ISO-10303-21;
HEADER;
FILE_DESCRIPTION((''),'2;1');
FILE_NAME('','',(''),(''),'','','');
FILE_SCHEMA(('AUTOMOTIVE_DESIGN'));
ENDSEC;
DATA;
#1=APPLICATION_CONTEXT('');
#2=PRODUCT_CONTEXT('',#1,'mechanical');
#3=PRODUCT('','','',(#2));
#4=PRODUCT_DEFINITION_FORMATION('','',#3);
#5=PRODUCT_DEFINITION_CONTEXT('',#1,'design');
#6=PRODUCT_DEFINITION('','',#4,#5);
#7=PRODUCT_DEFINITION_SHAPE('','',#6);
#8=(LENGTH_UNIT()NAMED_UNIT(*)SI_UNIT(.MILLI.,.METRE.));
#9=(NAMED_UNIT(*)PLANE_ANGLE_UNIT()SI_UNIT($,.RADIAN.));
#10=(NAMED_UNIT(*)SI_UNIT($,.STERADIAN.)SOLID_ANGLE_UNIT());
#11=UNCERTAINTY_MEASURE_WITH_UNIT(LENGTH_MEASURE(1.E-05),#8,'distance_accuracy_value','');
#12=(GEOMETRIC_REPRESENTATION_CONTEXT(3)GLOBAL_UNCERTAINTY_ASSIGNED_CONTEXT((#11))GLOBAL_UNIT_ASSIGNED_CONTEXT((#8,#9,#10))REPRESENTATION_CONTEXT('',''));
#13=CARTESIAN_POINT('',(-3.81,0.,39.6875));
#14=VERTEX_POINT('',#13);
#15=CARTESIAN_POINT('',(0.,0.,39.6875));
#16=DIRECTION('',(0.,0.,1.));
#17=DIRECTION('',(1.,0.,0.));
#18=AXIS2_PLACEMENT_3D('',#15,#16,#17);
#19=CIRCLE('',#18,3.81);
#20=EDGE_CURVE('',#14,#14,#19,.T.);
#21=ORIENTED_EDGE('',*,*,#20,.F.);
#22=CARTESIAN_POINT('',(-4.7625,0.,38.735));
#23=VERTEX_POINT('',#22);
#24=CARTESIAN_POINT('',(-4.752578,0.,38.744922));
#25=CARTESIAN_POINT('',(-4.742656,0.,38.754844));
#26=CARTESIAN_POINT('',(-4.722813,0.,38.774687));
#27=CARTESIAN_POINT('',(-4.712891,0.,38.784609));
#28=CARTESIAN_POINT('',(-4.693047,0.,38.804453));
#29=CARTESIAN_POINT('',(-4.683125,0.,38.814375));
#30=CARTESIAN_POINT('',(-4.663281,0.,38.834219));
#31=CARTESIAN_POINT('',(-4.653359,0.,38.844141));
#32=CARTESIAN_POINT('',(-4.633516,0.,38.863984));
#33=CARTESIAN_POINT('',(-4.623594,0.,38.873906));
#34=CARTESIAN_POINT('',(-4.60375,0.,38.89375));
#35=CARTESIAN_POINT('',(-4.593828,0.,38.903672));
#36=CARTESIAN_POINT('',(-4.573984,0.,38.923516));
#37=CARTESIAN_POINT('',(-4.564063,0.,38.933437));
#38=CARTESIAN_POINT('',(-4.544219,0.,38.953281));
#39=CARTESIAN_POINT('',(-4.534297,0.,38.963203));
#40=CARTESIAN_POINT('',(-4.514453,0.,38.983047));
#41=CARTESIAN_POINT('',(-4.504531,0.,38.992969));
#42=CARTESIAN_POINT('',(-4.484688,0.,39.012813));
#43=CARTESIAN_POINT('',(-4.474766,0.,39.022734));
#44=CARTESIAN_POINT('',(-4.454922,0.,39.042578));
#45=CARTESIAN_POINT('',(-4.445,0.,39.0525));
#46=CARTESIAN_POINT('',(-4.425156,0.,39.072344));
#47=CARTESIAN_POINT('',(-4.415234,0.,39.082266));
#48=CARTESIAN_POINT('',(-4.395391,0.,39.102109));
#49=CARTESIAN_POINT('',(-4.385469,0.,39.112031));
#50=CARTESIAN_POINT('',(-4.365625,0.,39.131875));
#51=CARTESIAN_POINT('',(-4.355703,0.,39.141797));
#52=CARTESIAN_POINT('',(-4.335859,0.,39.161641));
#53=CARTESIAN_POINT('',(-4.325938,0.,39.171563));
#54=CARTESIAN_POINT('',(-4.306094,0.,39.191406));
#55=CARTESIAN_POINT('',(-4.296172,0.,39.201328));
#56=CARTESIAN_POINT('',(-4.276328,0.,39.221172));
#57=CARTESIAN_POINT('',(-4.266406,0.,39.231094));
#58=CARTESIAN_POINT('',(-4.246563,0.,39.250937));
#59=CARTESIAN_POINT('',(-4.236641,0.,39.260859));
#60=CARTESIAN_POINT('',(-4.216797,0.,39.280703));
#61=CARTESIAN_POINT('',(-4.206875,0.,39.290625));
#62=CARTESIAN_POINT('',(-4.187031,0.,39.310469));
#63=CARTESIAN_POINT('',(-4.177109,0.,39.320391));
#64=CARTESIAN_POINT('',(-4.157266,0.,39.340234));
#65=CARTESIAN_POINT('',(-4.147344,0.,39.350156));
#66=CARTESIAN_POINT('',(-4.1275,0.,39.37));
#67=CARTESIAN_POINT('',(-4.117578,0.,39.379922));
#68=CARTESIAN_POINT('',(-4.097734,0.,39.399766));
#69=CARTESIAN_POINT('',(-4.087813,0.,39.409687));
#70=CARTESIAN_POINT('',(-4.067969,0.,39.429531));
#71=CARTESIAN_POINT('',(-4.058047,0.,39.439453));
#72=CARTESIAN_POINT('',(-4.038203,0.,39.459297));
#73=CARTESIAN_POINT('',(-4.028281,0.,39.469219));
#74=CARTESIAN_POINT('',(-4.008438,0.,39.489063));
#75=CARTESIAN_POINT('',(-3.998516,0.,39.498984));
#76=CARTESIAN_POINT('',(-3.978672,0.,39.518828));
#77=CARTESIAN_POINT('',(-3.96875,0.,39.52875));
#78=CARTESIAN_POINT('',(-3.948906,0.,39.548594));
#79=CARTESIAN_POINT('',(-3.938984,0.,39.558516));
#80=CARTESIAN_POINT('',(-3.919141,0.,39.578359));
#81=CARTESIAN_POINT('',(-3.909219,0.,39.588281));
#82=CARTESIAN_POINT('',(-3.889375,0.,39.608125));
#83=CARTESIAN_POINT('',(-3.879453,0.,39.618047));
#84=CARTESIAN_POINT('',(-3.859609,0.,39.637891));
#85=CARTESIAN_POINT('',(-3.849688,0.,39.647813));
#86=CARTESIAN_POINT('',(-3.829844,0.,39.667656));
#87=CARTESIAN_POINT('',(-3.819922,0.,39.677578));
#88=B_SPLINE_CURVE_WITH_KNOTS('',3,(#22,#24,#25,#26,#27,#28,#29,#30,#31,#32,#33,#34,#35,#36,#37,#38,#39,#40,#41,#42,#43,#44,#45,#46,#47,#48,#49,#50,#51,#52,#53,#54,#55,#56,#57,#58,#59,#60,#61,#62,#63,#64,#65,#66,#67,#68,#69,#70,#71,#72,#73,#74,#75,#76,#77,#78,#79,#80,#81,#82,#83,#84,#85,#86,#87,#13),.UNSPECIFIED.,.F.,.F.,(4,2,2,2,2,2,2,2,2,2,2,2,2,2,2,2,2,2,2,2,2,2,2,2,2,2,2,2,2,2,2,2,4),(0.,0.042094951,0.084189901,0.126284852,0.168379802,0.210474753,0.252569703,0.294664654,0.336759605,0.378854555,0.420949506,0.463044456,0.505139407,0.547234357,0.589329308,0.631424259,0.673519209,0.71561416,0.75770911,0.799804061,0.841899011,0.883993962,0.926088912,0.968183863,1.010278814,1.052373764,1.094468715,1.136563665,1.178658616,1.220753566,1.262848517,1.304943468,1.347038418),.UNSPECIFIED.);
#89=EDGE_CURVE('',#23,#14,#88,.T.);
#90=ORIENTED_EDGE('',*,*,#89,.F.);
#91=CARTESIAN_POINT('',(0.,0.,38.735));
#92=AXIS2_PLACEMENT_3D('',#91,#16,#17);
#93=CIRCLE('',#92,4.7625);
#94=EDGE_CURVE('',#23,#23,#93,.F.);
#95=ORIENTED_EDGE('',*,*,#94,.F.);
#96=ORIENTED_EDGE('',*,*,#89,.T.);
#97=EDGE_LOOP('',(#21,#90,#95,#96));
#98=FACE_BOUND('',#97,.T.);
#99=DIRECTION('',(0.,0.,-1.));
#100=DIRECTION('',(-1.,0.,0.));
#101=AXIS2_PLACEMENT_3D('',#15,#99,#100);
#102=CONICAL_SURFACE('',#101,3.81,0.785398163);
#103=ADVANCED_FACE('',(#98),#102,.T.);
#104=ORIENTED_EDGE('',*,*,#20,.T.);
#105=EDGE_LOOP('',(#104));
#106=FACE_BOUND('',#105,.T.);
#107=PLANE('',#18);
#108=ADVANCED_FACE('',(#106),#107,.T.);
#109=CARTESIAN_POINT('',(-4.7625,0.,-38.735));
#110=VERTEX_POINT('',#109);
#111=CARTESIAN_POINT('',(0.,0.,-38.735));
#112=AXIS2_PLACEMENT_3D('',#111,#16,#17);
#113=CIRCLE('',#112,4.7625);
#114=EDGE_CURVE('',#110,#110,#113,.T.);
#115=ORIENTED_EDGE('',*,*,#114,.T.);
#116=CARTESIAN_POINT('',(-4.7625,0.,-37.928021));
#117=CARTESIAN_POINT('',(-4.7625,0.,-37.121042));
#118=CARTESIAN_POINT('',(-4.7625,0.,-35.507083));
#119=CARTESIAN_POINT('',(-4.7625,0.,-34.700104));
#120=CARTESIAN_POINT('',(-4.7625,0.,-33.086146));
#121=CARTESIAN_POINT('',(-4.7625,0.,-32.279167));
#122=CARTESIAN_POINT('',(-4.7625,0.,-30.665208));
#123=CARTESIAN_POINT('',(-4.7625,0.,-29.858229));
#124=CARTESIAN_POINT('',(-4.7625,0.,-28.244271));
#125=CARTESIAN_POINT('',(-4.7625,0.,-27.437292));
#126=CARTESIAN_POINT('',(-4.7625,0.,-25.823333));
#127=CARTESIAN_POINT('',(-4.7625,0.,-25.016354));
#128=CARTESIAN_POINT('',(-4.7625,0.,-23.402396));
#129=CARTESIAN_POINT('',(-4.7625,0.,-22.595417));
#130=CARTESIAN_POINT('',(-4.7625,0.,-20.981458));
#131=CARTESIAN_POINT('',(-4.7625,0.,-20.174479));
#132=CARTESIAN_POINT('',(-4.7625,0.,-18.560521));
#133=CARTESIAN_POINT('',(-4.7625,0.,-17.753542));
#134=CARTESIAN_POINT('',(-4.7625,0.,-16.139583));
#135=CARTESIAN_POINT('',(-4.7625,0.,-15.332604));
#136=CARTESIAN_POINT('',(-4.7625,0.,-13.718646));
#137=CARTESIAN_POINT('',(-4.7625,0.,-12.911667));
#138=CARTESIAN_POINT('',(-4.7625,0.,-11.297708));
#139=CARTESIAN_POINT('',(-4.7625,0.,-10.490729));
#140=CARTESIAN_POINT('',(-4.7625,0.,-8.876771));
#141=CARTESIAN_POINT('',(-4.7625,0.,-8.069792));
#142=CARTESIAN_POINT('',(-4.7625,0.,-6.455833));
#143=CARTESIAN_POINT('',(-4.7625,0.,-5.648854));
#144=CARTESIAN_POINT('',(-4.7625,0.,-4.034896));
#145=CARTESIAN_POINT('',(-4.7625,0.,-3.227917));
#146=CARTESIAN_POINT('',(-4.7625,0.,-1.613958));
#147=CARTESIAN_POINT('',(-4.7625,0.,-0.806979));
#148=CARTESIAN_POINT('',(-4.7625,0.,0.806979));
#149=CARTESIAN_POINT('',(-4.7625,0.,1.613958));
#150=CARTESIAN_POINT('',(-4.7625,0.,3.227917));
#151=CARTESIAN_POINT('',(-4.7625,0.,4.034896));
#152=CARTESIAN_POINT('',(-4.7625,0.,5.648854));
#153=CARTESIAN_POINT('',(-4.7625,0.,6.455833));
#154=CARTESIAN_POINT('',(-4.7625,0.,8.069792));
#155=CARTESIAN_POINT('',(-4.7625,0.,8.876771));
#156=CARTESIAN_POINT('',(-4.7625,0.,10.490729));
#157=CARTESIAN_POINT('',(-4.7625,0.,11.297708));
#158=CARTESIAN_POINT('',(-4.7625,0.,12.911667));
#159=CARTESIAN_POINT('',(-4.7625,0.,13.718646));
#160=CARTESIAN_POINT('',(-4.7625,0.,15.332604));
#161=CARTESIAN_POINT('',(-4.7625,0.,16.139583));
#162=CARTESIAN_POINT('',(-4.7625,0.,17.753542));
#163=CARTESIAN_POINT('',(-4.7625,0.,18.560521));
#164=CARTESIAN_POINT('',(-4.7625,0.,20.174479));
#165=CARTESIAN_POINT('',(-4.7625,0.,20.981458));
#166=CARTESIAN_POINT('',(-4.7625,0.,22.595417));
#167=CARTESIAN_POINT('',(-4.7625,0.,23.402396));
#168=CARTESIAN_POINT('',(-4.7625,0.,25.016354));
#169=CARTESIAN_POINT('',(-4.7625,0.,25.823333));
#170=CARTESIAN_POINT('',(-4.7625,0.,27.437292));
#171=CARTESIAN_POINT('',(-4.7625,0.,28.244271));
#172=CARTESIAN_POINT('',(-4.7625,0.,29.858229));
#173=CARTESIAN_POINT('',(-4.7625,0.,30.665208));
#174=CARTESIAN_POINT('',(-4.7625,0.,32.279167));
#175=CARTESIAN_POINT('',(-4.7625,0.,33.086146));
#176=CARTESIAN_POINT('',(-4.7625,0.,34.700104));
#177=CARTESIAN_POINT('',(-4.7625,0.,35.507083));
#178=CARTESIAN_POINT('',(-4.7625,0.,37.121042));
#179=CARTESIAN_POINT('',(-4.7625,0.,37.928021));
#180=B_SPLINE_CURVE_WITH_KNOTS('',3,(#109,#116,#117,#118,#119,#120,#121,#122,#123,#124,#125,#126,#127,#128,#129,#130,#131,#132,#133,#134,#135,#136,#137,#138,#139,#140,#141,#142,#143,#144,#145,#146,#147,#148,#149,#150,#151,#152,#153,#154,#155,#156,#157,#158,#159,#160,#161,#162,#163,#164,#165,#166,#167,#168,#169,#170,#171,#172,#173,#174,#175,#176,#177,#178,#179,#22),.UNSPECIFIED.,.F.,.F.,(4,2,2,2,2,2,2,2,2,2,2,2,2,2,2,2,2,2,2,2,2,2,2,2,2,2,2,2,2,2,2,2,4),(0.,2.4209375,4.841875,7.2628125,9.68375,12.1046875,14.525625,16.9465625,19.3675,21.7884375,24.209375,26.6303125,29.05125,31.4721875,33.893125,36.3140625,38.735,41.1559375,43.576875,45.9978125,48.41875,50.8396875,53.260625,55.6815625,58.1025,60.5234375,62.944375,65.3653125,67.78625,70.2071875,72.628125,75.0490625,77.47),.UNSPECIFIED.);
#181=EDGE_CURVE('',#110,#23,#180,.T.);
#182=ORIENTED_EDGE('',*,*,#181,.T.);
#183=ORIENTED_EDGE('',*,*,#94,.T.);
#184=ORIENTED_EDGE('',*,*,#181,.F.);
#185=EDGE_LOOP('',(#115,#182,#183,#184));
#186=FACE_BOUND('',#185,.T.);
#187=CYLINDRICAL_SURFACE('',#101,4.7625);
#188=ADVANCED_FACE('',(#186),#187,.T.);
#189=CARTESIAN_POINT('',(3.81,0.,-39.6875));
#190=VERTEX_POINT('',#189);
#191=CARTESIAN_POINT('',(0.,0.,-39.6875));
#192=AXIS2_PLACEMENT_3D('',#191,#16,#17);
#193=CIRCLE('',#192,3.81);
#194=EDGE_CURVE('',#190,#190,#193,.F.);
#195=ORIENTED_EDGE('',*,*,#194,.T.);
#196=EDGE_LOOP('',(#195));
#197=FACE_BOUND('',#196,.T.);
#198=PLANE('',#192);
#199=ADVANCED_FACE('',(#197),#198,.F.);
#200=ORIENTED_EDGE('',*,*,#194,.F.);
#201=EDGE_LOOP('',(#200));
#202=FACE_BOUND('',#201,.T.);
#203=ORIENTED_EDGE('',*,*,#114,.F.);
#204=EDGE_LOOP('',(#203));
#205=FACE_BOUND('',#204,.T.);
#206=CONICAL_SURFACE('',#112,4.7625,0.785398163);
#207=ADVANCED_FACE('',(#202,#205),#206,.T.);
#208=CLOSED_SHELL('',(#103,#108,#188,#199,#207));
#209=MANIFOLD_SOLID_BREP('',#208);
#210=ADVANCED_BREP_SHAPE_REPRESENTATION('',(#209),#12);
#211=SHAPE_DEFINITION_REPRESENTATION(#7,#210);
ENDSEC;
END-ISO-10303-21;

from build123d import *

# Parameters (mm, degrees)
SKETCH3_R           = 4.7625
BOSS_EXTRUDE1_DEPTH = 39.6875
CHAMFER1_SIZE       = 0.9525


with BuildPart() as part:
    # Sketch3 → Boss-Extrude1 (new, symmetric)
    with BuildSketch(Plane.XY):
        with Locations(Location((0, 0, 0), (0, 0, 180))):
            Circle(SKETCH3_R)
    extrude(amount=BOSS_EXTRUDE1_DEPTH, both=True)

    # Chamfer1
    chamfer1_edges = [part.edges().sort_by_distance(p)[0] for p in [
        (4.7625, 0, -39.6875),
        (4.7625, 0, 39.6875),
    ]]
    chamfer(chamfer1_edges, length=CHAMFER1_SIZE)


solid = part.part
